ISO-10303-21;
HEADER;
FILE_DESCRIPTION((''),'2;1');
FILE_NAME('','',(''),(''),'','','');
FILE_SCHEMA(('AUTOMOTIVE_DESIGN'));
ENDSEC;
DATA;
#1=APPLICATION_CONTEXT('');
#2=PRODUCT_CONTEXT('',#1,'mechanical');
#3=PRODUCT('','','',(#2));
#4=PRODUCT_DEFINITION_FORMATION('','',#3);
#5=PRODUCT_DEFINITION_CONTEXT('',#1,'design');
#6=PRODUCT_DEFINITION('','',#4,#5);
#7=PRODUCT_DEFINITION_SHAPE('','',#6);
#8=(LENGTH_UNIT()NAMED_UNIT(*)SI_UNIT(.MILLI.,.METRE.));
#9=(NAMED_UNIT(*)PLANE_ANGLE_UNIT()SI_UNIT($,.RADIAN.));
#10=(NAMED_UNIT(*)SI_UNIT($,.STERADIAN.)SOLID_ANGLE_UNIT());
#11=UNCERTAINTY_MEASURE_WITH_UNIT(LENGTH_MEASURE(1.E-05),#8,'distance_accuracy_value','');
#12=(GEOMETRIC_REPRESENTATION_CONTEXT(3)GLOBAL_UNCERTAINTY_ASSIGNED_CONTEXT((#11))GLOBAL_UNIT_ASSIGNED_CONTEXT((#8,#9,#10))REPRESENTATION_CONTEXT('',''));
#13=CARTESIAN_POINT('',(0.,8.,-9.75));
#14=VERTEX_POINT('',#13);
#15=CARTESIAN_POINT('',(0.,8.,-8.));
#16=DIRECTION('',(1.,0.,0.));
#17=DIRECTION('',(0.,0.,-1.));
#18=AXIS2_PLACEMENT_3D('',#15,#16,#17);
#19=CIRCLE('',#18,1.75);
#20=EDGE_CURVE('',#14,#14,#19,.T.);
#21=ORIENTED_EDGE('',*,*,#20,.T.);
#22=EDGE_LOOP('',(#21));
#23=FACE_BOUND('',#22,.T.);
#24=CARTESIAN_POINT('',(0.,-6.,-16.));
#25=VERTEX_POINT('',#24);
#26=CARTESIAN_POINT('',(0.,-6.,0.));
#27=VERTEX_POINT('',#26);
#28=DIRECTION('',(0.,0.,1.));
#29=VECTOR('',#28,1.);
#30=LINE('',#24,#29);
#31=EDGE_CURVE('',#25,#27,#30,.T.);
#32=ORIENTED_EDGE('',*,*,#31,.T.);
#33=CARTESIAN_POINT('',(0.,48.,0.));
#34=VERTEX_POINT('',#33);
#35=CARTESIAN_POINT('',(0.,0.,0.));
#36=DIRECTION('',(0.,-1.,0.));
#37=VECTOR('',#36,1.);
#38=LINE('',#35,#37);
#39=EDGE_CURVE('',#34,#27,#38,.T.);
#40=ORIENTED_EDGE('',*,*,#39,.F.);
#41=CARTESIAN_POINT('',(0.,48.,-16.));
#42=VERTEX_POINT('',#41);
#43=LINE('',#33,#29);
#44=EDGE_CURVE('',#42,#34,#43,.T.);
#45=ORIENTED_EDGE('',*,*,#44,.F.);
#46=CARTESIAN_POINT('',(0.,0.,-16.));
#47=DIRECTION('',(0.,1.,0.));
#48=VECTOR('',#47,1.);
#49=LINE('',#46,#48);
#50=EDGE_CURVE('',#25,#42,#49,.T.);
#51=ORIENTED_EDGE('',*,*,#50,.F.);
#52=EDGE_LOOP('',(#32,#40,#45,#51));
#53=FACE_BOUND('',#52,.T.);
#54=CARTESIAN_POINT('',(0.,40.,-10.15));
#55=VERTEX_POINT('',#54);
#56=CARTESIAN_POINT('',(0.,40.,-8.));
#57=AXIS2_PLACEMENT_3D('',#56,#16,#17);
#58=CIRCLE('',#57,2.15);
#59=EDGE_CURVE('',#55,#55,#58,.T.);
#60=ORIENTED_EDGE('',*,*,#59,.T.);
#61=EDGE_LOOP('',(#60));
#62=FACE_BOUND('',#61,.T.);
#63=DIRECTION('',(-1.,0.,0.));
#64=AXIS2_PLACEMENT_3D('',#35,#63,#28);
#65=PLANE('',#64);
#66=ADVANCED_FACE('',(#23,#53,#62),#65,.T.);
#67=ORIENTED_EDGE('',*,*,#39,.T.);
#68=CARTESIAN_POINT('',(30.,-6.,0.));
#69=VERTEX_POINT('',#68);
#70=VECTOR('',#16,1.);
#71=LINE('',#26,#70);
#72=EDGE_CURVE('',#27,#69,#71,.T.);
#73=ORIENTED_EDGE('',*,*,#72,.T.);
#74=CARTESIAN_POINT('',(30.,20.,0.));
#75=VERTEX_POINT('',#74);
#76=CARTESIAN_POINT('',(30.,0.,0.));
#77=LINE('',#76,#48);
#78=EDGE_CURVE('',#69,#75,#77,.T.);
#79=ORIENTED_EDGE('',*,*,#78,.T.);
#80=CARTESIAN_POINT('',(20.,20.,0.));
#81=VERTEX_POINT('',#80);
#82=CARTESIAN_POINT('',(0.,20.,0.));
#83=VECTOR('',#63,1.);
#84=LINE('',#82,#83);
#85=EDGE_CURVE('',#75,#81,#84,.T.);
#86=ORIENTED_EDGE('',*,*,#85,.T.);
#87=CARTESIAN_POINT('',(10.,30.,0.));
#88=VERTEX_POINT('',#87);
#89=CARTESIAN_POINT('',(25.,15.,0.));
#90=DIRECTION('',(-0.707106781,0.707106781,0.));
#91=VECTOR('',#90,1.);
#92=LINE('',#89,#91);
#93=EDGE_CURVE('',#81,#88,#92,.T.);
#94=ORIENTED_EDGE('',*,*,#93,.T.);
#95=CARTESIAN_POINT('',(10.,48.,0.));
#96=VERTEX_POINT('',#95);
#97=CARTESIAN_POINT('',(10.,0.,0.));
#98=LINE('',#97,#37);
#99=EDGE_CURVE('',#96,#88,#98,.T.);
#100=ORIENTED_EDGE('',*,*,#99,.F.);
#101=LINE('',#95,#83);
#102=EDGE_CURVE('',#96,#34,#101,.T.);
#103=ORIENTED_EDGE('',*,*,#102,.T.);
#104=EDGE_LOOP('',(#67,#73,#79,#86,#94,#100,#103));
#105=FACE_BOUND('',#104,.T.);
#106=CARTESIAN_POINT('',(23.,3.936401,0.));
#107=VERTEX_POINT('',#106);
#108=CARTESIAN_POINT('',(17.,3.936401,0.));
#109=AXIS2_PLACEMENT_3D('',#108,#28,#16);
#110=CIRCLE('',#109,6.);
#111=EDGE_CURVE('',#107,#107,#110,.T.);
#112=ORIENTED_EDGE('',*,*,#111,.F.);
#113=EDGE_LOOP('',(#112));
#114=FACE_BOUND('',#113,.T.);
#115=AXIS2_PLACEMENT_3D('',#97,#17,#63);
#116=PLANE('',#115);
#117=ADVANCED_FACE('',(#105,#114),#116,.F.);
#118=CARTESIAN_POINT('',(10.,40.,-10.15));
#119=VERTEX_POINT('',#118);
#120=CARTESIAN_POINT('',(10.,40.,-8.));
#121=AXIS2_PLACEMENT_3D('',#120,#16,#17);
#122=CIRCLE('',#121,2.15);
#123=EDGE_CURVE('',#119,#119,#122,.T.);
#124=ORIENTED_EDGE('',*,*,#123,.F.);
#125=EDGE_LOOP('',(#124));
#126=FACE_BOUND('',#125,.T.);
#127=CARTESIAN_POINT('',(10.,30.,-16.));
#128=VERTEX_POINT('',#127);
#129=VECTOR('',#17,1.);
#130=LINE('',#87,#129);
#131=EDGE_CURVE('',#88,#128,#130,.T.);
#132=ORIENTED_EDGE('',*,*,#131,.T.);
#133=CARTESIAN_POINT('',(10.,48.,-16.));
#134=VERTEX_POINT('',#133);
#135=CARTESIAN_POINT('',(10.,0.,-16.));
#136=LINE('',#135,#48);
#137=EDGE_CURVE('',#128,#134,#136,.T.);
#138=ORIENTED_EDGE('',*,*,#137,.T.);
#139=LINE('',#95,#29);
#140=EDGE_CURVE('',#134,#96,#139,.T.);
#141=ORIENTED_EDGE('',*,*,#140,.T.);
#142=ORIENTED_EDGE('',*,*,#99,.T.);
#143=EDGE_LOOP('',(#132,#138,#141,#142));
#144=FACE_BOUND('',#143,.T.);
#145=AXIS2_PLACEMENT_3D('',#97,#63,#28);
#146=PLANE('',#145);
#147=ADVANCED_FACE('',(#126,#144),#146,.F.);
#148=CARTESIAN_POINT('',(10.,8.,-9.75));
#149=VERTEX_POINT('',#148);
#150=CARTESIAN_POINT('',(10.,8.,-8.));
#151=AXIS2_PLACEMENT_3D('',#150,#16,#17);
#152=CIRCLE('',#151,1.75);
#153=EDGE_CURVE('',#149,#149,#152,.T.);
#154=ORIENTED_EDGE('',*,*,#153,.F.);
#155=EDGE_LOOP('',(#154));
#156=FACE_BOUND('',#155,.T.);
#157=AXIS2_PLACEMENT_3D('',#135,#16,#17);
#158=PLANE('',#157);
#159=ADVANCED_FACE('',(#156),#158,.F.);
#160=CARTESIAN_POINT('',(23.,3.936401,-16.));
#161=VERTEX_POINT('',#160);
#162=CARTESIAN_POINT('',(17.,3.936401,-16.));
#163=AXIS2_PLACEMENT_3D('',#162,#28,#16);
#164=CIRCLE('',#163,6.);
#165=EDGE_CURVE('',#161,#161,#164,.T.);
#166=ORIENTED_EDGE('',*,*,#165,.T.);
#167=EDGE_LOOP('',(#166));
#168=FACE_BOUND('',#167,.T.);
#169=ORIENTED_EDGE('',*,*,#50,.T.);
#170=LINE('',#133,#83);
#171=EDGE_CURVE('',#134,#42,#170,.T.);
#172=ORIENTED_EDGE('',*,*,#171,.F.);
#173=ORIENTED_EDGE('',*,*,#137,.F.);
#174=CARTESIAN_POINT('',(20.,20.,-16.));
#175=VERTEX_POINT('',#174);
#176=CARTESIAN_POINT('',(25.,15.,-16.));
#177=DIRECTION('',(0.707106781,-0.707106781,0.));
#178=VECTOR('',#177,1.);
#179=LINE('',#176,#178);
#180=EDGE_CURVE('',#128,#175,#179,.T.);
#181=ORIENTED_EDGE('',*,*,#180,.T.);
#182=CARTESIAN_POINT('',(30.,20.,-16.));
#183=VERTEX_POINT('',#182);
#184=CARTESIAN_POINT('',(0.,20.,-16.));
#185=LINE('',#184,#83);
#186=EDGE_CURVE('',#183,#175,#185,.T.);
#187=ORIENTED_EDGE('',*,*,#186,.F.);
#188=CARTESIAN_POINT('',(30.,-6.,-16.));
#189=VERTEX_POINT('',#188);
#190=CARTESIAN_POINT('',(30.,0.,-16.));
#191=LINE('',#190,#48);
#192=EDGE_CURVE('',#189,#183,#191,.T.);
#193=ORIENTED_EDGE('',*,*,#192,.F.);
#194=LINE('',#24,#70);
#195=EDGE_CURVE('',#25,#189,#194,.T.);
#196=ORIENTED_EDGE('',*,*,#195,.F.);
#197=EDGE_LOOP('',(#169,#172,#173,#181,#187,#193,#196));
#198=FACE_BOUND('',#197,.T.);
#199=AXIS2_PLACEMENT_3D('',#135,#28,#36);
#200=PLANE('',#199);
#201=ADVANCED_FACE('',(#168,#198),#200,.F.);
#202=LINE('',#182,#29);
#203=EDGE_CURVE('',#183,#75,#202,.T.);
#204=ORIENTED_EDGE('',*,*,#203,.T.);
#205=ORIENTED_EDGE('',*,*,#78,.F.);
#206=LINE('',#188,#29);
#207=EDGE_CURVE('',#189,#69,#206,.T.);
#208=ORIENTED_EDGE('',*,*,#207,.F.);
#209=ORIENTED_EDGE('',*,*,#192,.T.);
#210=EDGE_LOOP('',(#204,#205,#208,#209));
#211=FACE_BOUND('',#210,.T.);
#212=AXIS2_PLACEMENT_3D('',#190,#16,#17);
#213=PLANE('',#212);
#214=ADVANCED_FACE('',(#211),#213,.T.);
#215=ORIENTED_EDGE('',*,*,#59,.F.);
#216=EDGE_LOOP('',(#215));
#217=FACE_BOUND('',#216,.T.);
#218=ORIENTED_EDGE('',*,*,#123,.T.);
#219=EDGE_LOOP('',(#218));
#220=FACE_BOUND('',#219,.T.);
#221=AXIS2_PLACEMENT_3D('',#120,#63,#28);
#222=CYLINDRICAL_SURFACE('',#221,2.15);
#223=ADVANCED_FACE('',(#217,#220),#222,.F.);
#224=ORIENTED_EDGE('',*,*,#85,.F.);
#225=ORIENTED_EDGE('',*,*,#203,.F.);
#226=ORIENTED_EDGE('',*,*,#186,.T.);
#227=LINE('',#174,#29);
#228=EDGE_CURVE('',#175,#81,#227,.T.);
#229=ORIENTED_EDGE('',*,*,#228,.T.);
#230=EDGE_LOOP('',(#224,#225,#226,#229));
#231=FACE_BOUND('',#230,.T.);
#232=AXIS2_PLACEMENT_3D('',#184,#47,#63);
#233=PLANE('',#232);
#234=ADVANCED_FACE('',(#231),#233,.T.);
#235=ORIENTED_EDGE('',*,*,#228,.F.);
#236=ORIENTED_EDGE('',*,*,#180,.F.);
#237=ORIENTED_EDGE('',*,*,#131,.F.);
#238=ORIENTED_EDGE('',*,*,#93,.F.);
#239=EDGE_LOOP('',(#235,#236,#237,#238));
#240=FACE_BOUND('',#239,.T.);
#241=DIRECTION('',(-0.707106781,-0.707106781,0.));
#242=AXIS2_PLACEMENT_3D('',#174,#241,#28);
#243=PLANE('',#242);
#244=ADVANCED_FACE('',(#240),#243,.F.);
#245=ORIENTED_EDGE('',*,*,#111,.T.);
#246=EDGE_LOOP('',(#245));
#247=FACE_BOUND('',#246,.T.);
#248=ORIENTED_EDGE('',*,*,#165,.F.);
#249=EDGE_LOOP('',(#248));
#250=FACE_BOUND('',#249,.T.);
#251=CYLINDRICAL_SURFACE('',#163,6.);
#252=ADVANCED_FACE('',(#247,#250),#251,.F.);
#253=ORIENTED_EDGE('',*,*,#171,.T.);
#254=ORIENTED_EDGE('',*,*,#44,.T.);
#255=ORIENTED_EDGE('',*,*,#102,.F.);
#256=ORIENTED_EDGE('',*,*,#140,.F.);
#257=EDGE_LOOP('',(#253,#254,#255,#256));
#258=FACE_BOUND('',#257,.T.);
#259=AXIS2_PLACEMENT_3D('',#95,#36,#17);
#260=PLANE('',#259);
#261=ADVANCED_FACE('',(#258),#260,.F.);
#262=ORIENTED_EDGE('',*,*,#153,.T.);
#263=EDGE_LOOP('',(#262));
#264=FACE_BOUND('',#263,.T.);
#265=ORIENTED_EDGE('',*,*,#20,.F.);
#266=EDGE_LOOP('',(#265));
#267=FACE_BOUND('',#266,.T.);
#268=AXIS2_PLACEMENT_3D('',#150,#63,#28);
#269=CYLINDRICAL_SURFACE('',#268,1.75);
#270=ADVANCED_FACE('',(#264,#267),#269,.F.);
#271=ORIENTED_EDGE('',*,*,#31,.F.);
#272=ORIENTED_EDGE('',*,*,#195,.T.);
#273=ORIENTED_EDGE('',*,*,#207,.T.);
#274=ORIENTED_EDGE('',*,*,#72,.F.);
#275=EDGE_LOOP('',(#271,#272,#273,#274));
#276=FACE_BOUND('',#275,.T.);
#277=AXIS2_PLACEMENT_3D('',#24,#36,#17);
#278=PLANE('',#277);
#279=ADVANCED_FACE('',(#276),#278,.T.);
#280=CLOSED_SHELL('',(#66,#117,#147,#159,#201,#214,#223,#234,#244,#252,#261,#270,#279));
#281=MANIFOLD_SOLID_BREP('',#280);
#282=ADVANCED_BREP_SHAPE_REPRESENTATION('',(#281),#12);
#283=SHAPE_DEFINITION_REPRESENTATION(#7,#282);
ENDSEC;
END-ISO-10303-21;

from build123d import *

# Parameters (mm, degrees)
SKETCH1_W           = 16
SKETCH1_H           = 48
SKETCH1_R           = 2.15
SKETCH1_R_2         = 1.75
BOSS_EXTRUDE1_DEPTH = 10
SKETCH2_R           = 6
BOSS_EXTRUDE2_DEPTH = 16
CHAMFER1_SIZE       = 10


with BuildPart() as part:
    # Sketch1 → Boss-Extrude1 (new body)
    with BuildSketch(Plane(origin=(0, 0, 0), x_dir=(0, 0, -1), z_dir=(1, 0, 0))):
        with Locations((8, 24)):
            Rectangle(SKETCH1_W, SKETCH1_H)
        with Locations((8, 40)):
            Circle(SKETCH1_R, mode=Mode.SUBTRACT)
        with Locations((8, 8)):
            Circle(SKETCH1_R_2, mode=Mode.SUBTRACT)
    extrude(amount=BOSS_EXTRUDE1_DEPTH)

    # Sketch2 → Boss-Extrude2 (add, through all)
    with BuildSketch(Plane.XY):
        Polygon((10, 20), (10, 0), (0, 0), (0, -6), (30, -6), (30, 20), align=None)
        with Locations((17, 3.936401072)):
            Circle(SKETCH2_R, mode=Mode.SUBTRACT)
    extrude(amount=-BOSS_EXTRUDE2_DEPTH)

    # Chamfer1
    chamfer1_edges = [part.edges().sort_by_distance(p)[0] for p in [
        (10, 20, -8),
    ]]
    chamfer(chamfer1_edges, length=CHAMFER1_SIZE)


solid = part.part
